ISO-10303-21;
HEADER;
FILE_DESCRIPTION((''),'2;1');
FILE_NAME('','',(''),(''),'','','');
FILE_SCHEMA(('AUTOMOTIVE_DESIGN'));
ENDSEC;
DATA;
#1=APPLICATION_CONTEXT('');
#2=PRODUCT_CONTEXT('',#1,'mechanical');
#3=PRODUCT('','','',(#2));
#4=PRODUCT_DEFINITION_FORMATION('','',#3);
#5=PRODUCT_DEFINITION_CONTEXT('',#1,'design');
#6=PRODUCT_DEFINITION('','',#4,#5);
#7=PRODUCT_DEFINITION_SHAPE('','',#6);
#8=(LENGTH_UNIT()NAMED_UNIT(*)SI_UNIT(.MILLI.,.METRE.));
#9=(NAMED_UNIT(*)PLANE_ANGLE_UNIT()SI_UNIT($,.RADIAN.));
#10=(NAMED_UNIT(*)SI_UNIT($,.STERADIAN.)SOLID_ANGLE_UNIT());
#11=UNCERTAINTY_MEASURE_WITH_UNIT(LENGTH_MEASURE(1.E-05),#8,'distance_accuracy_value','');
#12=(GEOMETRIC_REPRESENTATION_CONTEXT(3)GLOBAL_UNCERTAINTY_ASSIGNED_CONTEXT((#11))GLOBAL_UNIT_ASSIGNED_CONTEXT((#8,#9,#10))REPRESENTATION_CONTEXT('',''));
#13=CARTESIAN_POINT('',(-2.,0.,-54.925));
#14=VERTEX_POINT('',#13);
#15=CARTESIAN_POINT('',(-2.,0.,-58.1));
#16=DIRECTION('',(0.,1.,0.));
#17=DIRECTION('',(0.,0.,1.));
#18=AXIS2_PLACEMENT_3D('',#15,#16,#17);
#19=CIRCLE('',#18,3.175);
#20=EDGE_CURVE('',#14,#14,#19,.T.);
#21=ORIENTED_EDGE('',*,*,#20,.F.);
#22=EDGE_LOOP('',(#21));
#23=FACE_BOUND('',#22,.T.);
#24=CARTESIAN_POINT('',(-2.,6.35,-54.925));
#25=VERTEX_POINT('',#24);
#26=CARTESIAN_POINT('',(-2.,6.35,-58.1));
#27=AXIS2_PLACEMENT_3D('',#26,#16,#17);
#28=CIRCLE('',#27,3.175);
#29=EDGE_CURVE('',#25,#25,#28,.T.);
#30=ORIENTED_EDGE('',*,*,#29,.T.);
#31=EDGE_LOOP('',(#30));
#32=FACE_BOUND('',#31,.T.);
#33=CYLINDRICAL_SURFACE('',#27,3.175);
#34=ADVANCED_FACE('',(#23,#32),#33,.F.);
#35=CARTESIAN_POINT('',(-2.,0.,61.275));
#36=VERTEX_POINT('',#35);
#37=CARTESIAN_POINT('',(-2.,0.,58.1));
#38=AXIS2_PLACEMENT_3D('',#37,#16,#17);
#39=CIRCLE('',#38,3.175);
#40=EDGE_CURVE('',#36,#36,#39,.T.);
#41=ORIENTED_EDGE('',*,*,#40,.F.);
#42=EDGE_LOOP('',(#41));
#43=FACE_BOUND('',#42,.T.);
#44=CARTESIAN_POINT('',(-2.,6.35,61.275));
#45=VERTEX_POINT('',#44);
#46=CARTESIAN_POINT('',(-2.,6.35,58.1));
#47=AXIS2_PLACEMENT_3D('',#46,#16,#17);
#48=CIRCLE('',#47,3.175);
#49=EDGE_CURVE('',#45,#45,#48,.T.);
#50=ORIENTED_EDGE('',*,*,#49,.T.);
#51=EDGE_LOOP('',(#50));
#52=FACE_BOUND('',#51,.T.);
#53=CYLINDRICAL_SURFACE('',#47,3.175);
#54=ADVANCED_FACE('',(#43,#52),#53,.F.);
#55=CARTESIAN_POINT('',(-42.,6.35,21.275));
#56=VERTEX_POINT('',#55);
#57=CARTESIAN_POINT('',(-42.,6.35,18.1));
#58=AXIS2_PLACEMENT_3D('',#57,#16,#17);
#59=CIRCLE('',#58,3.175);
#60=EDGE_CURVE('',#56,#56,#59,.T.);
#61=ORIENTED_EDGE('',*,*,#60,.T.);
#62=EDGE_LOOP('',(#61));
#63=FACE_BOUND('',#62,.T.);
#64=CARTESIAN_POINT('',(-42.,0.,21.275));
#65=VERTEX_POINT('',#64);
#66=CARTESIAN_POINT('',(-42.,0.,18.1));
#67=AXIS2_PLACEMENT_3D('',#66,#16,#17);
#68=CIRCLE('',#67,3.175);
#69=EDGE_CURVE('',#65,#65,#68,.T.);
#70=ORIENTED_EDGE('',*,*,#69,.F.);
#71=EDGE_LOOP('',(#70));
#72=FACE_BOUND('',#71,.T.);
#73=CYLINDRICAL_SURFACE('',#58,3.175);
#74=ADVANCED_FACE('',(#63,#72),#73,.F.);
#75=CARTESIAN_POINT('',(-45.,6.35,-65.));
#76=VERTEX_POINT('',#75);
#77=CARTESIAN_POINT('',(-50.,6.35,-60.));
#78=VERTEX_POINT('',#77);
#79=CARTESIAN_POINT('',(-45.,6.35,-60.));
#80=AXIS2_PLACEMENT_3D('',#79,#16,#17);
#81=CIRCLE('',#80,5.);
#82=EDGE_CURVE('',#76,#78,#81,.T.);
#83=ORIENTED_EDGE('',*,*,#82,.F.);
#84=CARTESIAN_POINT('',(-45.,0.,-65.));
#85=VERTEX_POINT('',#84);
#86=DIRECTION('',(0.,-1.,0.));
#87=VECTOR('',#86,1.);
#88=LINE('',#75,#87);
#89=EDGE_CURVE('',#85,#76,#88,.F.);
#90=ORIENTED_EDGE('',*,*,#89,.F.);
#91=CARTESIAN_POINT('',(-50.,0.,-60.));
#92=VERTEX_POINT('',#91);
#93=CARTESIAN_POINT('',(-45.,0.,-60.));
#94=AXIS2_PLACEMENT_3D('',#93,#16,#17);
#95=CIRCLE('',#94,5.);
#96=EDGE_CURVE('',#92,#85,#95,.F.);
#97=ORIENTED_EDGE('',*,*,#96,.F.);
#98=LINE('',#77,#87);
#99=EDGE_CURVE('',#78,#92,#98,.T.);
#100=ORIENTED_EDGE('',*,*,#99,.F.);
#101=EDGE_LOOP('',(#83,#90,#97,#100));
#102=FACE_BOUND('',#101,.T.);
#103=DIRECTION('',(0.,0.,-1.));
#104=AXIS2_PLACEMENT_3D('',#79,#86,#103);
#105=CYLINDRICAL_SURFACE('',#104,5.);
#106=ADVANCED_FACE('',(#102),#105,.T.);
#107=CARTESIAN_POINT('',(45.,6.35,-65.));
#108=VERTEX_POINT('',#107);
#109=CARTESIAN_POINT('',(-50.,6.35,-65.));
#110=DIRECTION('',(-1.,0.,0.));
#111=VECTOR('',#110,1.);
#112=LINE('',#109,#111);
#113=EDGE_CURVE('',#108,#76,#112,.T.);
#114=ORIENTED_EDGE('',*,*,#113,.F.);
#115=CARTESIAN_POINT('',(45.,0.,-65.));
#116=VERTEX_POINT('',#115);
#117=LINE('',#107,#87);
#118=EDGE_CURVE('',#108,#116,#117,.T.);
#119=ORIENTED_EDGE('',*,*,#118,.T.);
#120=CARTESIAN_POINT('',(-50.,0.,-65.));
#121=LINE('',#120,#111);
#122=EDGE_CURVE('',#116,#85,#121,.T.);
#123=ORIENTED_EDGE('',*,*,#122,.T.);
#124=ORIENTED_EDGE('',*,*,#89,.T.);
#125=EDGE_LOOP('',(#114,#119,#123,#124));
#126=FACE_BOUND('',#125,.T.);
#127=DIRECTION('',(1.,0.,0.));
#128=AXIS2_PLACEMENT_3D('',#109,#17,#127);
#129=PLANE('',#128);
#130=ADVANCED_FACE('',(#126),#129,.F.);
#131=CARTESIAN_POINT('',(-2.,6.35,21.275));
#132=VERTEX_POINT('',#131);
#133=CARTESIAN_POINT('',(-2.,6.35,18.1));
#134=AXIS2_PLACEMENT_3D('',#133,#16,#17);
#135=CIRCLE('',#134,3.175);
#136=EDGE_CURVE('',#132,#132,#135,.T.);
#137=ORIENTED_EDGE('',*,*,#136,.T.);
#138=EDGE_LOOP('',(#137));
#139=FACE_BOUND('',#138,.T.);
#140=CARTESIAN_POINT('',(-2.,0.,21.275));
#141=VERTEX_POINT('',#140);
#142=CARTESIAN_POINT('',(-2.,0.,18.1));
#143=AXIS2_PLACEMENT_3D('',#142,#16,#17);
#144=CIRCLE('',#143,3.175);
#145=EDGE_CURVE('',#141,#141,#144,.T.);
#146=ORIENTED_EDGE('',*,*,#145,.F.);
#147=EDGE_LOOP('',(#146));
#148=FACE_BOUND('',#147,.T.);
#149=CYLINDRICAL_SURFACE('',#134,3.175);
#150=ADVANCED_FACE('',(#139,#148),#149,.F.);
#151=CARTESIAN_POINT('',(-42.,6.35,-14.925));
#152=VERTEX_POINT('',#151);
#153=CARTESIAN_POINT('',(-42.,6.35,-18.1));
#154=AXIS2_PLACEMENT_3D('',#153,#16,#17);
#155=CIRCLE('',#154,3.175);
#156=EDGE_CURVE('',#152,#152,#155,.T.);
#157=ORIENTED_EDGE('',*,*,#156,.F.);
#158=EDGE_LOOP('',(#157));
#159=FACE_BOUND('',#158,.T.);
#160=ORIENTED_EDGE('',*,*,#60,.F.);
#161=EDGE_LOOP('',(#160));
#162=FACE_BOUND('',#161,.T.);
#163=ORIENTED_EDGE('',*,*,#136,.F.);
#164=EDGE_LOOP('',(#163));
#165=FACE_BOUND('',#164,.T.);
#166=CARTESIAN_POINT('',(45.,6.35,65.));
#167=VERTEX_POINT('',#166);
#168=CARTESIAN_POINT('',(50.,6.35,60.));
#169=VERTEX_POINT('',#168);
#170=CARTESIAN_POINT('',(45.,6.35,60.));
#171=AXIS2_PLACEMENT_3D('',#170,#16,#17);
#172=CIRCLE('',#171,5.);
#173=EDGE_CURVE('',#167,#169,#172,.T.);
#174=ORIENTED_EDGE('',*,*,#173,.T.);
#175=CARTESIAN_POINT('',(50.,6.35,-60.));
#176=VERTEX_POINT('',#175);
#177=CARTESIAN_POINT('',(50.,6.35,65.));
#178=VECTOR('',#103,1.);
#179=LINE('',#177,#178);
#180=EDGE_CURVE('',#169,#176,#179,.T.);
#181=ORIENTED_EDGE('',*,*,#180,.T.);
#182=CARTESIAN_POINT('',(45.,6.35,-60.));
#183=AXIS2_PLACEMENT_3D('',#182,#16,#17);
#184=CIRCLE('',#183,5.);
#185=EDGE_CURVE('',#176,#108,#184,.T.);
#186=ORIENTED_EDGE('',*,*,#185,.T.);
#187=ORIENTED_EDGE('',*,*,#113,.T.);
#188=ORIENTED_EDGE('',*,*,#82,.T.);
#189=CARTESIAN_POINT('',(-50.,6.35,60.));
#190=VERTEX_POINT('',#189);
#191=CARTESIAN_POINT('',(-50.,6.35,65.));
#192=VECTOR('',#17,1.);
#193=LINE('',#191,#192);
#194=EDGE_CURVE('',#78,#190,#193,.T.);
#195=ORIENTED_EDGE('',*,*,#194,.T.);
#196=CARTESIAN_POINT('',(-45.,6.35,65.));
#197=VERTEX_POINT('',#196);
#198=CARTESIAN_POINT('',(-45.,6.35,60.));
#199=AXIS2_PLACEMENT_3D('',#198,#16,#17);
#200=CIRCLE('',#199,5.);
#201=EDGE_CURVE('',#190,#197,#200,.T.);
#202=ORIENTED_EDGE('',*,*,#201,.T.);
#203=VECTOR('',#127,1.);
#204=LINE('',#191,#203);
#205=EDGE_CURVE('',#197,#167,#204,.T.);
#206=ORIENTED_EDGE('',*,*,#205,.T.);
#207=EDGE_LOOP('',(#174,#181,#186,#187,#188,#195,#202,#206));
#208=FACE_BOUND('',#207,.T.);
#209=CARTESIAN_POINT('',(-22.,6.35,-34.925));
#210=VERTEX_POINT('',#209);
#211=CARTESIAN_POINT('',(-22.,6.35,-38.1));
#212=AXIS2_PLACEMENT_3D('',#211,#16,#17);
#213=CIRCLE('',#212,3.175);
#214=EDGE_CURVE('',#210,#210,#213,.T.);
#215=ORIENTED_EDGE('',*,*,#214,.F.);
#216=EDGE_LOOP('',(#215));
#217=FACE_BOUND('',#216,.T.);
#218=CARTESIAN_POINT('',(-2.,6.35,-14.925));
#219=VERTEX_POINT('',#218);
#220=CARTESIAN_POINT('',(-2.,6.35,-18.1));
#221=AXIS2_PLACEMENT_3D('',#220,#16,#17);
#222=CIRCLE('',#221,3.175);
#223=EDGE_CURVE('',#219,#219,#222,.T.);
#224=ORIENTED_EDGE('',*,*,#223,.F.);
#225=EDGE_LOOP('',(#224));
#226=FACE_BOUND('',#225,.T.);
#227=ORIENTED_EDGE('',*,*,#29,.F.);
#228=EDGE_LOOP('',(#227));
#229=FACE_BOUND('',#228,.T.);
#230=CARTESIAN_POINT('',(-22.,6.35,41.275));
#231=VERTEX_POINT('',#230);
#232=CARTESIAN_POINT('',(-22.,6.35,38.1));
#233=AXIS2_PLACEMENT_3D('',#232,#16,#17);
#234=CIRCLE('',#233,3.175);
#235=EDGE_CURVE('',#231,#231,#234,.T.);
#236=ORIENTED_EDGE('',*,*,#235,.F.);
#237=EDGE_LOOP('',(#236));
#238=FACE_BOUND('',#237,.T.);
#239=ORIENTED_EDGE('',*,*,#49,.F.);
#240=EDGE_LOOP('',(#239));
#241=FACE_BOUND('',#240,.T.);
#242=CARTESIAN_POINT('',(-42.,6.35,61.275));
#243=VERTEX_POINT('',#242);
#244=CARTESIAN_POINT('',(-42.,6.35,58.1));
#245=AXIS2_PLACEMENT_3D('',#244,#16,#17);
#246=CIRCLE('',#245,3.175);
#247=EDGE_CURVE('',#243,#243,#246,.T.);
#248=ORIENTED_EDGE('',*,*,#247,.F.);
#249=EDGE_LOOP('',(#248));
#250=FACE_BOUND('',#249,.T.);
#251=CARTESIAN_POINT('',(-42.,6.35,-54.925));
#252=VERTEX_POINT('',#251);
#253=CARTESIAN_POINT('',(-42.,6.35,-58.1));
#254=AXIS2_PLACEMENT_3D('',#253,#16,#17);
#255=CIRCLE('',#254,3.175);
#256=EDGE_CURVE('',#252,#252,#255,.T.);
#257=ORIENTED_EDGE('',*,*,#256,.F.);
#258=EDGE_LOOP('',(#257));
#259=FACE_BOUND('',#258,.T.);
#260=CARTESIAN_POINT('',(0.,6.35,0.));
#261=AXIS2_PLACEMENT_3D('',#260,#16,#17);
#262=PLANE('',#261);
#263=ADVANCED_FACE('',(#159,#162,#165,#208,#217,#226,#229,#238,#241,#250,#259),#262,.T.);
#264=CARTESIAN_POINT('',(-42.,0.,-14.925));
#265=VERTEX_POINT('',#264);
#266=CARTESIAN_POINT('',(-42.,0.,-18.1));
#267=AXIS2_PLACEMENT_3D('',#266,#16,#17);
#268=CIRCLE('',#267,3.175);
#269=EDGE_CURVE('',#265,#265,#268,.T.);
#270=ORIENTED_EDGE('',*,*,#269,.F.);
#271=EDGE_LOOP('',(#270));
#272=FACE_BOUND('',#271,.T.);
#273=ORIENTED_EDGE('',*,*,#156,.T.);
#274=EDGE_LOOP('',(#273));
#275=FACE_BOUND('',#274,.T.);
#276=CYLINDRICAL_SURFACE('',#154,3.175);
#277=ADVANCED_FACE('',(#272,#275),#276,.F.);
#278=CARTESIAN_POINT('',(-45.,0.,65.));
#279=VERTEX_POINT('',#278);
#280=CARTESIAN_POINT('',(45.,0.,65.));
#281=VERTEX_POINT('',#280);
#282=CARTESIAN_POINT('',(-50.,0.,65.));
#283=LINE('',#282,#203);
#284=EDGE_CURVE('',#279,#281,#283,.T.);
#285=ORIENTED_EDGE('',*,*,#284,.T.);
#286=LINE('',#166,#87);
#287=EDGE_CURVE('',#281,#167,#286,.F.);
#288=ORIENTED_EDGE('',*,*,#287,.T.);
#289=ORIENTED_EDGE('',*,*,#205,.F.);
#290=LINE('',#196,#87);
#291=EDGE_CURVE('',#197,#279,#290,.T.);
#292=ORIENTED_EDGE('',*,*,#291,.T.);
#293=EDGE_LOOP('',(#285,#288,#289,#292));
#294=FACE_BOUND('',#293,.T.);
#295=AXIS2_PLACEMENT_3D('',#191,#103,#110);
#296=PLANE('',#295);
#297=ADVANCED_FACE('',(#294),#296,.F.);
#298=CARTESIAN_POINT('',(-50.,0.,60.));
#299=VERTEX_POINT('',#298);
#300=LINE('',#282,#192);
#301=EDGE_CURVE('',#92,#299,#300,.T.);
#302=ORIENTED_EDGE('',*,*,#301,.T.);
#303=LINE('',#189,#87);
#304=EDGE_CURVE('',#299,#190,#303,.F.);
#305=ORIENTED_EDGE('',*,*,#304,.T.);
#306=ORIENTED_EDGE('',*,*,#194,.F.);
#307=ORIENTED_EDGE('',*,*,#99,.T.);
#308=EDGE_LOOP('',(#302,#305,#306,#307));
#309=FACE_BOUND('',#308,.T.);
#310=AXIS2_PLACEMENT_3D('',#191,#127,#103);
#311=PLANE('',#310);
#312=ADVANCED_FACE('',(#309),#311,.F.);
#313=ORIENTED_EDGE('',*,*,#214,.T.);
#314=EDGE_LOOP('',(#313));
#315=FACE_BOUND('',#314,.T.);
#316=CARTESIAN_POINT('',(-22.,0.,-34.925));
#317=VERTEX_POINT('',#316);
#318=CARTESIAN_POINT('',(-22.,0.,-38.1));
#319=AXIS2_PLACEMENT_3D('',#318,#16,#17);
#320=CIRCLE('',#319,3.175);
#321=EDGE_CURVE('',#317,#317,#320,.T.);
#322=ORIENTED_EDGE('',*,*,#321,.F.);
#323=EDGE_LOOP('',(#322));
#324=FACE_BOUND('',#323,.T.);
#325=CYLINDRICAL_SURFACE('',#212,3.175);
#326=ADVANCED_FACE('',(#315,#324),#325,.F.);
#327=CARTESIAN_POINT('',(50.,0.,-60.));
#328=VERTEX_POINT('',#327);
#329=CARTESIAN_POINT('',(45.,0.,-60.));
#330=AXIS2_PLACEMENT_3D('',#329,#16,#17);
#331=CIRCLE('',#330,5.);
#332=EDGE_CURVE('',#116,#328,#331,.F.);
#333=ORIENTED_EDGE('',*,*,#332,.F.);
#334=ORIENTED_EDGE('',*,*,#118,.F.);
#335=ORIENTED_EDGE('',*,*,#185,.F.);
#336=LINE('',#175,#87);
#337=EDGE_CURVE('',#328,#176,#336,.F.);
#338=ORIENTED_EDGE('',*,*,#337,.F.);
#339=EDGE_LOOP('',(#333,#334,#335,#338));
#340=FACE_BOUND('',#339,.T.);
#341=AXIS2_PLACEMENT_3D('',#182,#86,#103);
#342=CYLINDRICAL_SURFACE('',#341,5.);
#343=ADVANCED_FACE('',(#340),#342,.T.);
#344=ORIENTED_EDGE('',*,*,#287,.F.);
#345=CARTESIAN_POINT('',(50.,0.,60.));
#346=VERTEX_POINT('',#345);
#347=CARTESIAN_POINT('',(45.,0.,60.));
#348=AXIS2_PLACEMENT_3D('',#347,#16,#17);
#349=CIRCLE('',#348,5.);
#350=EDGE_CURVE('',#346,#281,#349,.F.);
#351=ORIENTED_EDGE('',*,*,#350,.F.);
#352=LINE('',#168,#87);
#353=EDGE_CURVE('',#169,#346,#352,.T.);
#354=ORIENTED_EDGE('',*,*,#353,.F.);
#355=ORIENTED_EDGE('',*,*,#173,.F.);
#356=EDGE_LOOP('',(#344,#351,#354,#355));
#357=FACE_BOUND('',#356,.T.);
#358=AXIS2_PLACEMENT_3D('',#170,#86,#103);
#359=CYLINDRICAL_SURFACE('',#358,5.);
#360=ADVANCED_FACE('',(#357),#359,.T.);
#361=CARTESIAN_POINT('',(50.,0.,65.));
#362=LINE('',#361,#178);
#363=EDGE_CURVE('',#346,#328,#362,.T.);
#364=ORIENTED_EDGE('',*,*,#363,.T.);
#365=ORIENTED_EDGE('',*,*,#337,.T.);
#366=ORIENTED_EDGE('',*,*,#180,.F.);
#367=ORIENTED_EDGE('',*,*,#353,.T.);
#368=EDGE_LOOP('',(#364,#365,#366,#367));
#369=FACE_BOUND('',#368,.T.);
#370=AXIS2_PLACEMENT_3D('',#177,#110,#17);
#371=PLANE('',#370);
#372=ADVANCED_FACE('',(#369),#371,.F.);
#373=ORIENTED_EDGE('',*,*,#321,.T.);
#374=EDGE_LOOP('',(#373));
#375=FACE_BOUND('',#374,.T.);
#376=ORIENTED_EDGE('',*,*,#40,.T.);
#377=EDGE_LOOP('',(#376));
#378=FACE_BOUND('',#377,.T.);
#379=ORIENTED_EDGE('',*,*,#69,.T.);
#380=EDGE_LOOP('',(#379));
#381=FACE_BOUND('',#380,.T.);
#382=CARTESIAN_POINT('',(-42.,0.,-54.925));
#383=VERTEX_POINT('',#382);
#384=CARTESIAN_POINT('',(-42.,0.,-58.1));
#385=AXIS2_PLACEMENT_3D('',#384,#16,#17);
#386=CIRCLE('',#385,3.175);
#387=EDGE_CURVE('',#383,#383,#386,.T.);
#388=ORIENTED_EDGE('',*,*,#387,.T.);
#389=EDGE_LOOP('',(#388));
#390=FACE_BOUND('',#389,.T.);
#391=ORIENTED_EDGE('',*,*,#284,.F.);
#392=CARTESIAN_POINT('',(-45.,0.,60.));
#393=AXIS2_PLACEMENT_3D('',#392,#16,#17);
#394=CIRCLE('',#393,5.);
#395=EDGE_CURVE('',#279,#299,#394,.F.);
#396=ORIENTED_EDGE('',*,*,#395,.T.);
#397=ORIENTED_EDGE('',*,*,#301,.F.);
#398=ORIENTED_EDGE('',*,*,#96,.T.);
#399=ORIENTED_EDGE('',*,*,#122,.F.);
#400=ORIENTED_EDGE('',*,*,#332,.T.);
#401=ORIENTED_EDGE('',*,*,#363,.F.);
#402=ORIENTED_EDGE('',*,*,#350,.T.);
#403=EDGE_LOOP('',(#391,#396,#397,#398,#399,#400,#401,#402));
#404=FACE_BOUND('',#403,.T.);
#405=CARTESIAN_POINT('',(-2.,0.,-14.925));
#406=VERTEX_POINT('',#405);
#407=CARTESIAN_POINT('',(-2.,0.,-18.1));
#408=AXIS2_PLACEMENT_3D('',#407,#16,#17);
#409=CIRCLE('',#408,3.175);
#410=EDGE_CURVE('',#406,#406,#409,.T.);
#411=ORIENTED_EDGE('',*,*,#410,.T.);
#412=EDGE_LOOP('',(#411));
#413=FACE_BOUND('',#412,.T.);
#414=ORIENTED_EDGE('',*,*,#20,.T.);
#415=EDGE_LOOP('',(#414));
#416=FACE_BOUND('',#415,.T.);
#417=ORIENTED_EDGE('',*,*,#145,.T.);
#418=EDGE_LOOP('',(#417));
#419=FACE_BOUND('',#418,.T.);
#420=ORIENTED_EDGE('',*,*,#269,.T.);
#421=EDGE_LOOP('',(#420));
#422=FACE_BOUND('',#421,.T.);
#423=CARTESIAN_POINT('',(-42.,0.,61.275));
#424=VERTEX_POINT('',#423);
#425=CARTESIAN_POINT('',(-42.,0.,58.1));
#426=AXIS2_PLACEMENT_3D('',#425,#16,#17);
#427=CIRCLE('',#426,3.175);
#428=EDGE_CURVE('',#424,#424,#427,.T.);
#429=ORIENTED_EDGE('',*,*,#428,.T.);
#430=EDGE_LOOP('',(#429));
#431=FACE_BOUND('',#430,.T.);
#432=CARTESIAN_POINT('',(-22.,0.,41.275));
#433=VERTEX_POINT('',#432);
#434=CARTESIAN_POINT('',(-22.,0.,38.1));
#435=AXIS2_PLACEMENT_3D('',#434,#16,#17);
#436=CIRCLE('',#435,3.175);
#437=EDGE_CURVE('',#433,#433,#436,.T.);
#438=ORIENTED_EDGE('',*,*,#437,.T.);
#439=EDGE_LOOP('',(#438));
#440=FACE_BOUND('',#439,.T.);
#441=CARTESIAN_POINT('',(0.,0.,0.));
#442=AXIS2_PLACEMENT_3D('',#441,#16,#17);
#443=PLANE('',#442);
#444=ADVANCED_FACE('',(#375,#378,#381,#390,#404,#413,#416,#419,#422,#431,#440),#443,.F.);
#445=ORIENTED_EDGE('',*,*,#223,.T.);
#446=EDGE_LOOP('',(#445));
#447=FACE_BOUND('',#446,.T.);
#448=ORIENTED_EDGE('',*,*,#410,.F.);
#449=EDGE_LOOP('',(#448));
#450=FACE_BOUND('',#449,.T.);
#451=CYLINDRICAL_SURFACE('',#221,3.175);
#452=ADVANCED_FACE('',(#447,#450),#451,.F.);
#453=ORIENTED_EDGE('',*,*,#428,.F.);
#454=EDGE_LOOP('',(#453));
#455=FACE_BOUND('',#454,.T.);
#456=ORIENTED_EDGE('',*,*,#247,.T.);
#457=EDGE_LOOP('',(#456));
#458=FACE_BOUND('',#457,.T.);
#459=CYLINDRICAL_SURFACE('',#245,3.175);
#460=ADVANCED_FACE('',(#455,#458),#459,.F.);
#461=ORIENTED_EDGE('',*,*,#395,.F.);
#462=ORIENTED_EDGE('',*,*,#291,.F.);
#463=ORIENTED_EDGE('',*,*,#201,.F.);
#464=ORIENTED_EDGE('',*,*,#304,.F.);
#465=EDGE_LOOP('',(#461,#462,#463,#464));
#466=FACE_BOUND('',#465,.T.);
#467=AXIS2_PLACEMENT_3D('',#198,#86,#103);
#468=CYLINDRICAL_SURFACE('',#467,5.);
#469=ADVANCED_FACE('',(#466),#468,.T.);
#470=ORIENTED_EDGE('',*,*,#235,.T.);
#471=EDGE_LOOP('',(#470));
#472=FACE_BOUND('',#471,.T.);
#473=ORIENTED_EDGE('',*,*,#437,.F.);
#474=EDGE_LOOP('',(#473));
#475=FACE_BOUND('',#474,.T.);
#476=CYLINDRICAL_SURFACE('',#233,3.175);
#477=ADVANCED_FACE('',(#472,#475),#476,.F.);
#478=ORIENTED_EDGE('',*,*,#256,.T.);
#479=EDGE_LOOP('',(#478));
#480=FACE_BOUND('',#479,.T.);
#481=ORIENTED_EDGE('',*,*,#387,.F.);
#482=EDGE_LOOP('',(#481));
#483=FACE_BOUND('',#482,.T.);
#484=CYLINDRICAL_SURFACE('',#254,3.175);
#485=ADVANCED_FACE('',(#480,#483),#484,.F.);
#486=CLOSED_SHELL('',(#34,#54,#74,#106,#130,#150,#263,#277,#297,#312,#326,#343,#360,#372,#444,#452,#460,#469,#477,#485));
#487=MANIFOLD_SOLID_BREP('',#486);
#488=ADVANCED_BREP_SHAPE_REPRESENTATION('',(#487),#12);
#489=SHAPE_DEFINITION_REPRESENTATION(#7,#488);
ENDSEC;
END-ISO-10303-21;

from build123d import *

# Parameters (mm, degrees)
SKETCH1_W                   = 100
SKETCH1_H                   = 130
BOSS_EXTRUDE1_DEPTH         = 6.35
FILLET1_R                   = 5
F_1_4_0_25_DIAMETER_HOLE1_D = 6.35


with BuildPart() as part:
    # Sketch1 → Boss-Extrude1 (new body)
    with BuildSketch(Plane(origin=(0, 0, 0), x_dir=(1, 0, 0), z_dir=(0, 1, 0))):
        Rectangle(SKETCH1_W, SKETCH1_H)
    extrude(amount=BOSS_EXTRUDE1_DEPTH)

    # Fillet1
    fillet1_edges = [part.edges().sort_by_distance(p)[0] for p in [
        (-50, 3.175, 65),
        (-50, 3.175, -65),
        (50, 3.175, -65),
        (50, 3.175, 65),
    ]]
    fillet(fillet1_edges, radius=FILLET1_R)

    # 1/4 (0.25) Diameter Hole1 (through all)
    with Locations(Plane(origin=(0, 6.35, 0), x_dir=(1, 0, 0), z_dir=(0, 1, 0))):
        with Locations((-42, -18.1), (-2, -18.1), (-2, -58.1), (-42, -58.1), (-22, -38.1)):
            f_1_4_0_25_diameter_hole1 = Hole(F_1_4_0_25_DIAMETER_HOLE1_D / 2)

    # Mirror1: 1/4 (0.25) Diameter Hole1 across plane
    add(f_1_4_0_25_diameter_hole1.mirror(Plane.XY), mode=Mode.SUBTRACT)


solid = part.part
